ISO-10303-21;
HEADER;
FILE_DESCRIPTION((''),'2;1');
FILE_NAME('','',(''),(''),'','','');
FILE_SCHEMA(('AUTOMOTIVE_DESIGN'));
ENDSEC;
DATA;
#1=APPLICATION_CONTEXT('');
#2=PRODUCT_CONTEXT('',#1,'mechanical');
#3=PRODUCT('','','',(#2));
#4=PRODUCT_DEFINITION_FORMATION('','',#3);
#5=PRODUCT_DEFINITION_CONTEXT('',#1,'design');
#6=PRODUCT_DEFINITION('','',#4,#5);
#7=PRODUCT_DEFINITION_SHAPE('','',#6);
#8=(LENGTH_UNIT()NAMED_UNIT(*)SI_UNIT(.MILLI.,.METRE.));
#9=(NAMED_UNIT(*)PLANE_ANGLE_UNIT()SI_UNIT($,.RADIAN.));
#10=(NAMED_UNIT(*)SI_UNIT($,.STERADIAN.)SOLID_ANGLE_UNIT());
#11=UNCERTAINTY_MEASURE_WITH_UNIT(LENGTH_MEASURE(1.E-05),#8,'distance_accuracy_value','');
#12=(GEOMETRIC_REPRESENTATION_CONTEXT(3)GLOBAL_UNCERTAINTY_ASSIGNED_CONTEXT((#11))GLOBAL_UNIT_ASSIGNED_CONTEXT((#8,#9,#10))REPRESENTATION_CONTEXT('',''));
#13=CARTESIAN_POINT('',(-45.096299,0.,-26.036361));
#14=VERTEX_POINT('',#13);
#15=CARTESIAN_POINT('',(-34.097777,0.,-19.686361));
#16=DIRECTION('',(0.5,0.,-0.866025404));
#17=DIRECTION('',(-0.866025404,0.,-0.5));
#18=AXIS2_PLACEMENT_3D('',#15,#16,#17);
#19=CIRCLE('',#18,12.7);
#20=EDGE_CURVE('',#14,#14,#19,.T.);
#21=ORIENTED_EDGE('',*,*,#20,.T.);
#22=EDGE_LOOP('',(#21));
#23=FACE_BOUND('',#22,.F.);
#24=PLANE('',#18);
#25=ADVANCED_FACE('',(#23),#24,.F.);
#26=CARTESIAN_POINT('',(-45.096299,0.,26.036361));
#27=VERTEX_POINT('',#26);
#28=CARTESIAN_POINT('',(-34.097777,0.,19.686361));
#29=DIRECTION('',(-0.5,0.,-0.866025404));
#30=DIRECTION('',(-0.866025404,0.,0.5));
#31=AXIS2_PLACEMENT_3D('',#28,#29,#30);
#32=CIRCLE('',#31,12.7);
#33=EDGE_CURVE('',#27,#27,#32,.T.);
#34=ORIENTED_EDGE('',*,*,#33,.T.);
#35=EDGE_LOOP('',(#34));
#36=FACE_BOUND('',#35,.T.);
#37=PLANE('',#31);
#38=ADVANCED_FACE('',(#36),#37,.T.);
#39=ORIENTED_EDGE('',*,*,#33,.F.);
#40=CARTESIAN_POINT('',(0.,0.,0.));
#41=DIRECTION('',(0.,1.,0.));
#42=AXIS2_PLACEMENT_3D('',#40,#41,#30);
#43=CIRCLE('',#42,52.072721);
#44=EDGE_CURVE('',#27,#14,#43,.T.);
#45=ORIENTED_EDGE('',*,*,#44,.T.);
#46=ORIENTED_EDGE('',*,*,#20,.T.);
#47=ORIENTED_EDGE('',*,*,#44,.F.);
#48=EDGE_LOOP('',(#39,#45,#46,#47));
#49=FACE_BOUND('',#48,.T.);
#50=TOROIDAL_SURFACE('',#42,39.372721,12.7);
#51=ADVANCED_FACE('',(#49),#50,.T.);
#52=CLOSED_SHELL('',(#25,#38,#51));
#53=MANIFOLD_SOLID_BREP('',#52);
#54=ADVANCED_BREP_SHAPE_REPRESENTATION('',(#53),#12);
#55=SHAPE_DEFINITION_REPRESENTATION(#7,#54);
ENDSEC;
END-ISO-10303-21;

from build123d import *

# Parameters (mm, degrees)
F1_ANGLE_BACK = 150
F1_ANGLE      = 300


with BuildPart() as f1:
    # F0 (on Top) → F1 (revolve)
    with BuildSketch(Plane.XY, mode=Mode.PRIVATE) as f1_sk:
        with BuildLine():
            ThreePointArc((26.6727210264, 0), (39.3727210264, -12.7), (52.0727210264, 0))
            ThreePointArc((52.0727210264, 0), (39.3727210264, 12.7), (26.6727210264, 0))
        make_face()
    revolve(f1_sk.sketch.rotate(Axis((0, 19.4612834603, 0), (0, 1, 0)), -F1_ANGLE_BACK), axis=Axis((0, 19.4612834603, 0), (0, 1, 0)), revolution_arc=F1_ANGLE)


solid = f1.part
